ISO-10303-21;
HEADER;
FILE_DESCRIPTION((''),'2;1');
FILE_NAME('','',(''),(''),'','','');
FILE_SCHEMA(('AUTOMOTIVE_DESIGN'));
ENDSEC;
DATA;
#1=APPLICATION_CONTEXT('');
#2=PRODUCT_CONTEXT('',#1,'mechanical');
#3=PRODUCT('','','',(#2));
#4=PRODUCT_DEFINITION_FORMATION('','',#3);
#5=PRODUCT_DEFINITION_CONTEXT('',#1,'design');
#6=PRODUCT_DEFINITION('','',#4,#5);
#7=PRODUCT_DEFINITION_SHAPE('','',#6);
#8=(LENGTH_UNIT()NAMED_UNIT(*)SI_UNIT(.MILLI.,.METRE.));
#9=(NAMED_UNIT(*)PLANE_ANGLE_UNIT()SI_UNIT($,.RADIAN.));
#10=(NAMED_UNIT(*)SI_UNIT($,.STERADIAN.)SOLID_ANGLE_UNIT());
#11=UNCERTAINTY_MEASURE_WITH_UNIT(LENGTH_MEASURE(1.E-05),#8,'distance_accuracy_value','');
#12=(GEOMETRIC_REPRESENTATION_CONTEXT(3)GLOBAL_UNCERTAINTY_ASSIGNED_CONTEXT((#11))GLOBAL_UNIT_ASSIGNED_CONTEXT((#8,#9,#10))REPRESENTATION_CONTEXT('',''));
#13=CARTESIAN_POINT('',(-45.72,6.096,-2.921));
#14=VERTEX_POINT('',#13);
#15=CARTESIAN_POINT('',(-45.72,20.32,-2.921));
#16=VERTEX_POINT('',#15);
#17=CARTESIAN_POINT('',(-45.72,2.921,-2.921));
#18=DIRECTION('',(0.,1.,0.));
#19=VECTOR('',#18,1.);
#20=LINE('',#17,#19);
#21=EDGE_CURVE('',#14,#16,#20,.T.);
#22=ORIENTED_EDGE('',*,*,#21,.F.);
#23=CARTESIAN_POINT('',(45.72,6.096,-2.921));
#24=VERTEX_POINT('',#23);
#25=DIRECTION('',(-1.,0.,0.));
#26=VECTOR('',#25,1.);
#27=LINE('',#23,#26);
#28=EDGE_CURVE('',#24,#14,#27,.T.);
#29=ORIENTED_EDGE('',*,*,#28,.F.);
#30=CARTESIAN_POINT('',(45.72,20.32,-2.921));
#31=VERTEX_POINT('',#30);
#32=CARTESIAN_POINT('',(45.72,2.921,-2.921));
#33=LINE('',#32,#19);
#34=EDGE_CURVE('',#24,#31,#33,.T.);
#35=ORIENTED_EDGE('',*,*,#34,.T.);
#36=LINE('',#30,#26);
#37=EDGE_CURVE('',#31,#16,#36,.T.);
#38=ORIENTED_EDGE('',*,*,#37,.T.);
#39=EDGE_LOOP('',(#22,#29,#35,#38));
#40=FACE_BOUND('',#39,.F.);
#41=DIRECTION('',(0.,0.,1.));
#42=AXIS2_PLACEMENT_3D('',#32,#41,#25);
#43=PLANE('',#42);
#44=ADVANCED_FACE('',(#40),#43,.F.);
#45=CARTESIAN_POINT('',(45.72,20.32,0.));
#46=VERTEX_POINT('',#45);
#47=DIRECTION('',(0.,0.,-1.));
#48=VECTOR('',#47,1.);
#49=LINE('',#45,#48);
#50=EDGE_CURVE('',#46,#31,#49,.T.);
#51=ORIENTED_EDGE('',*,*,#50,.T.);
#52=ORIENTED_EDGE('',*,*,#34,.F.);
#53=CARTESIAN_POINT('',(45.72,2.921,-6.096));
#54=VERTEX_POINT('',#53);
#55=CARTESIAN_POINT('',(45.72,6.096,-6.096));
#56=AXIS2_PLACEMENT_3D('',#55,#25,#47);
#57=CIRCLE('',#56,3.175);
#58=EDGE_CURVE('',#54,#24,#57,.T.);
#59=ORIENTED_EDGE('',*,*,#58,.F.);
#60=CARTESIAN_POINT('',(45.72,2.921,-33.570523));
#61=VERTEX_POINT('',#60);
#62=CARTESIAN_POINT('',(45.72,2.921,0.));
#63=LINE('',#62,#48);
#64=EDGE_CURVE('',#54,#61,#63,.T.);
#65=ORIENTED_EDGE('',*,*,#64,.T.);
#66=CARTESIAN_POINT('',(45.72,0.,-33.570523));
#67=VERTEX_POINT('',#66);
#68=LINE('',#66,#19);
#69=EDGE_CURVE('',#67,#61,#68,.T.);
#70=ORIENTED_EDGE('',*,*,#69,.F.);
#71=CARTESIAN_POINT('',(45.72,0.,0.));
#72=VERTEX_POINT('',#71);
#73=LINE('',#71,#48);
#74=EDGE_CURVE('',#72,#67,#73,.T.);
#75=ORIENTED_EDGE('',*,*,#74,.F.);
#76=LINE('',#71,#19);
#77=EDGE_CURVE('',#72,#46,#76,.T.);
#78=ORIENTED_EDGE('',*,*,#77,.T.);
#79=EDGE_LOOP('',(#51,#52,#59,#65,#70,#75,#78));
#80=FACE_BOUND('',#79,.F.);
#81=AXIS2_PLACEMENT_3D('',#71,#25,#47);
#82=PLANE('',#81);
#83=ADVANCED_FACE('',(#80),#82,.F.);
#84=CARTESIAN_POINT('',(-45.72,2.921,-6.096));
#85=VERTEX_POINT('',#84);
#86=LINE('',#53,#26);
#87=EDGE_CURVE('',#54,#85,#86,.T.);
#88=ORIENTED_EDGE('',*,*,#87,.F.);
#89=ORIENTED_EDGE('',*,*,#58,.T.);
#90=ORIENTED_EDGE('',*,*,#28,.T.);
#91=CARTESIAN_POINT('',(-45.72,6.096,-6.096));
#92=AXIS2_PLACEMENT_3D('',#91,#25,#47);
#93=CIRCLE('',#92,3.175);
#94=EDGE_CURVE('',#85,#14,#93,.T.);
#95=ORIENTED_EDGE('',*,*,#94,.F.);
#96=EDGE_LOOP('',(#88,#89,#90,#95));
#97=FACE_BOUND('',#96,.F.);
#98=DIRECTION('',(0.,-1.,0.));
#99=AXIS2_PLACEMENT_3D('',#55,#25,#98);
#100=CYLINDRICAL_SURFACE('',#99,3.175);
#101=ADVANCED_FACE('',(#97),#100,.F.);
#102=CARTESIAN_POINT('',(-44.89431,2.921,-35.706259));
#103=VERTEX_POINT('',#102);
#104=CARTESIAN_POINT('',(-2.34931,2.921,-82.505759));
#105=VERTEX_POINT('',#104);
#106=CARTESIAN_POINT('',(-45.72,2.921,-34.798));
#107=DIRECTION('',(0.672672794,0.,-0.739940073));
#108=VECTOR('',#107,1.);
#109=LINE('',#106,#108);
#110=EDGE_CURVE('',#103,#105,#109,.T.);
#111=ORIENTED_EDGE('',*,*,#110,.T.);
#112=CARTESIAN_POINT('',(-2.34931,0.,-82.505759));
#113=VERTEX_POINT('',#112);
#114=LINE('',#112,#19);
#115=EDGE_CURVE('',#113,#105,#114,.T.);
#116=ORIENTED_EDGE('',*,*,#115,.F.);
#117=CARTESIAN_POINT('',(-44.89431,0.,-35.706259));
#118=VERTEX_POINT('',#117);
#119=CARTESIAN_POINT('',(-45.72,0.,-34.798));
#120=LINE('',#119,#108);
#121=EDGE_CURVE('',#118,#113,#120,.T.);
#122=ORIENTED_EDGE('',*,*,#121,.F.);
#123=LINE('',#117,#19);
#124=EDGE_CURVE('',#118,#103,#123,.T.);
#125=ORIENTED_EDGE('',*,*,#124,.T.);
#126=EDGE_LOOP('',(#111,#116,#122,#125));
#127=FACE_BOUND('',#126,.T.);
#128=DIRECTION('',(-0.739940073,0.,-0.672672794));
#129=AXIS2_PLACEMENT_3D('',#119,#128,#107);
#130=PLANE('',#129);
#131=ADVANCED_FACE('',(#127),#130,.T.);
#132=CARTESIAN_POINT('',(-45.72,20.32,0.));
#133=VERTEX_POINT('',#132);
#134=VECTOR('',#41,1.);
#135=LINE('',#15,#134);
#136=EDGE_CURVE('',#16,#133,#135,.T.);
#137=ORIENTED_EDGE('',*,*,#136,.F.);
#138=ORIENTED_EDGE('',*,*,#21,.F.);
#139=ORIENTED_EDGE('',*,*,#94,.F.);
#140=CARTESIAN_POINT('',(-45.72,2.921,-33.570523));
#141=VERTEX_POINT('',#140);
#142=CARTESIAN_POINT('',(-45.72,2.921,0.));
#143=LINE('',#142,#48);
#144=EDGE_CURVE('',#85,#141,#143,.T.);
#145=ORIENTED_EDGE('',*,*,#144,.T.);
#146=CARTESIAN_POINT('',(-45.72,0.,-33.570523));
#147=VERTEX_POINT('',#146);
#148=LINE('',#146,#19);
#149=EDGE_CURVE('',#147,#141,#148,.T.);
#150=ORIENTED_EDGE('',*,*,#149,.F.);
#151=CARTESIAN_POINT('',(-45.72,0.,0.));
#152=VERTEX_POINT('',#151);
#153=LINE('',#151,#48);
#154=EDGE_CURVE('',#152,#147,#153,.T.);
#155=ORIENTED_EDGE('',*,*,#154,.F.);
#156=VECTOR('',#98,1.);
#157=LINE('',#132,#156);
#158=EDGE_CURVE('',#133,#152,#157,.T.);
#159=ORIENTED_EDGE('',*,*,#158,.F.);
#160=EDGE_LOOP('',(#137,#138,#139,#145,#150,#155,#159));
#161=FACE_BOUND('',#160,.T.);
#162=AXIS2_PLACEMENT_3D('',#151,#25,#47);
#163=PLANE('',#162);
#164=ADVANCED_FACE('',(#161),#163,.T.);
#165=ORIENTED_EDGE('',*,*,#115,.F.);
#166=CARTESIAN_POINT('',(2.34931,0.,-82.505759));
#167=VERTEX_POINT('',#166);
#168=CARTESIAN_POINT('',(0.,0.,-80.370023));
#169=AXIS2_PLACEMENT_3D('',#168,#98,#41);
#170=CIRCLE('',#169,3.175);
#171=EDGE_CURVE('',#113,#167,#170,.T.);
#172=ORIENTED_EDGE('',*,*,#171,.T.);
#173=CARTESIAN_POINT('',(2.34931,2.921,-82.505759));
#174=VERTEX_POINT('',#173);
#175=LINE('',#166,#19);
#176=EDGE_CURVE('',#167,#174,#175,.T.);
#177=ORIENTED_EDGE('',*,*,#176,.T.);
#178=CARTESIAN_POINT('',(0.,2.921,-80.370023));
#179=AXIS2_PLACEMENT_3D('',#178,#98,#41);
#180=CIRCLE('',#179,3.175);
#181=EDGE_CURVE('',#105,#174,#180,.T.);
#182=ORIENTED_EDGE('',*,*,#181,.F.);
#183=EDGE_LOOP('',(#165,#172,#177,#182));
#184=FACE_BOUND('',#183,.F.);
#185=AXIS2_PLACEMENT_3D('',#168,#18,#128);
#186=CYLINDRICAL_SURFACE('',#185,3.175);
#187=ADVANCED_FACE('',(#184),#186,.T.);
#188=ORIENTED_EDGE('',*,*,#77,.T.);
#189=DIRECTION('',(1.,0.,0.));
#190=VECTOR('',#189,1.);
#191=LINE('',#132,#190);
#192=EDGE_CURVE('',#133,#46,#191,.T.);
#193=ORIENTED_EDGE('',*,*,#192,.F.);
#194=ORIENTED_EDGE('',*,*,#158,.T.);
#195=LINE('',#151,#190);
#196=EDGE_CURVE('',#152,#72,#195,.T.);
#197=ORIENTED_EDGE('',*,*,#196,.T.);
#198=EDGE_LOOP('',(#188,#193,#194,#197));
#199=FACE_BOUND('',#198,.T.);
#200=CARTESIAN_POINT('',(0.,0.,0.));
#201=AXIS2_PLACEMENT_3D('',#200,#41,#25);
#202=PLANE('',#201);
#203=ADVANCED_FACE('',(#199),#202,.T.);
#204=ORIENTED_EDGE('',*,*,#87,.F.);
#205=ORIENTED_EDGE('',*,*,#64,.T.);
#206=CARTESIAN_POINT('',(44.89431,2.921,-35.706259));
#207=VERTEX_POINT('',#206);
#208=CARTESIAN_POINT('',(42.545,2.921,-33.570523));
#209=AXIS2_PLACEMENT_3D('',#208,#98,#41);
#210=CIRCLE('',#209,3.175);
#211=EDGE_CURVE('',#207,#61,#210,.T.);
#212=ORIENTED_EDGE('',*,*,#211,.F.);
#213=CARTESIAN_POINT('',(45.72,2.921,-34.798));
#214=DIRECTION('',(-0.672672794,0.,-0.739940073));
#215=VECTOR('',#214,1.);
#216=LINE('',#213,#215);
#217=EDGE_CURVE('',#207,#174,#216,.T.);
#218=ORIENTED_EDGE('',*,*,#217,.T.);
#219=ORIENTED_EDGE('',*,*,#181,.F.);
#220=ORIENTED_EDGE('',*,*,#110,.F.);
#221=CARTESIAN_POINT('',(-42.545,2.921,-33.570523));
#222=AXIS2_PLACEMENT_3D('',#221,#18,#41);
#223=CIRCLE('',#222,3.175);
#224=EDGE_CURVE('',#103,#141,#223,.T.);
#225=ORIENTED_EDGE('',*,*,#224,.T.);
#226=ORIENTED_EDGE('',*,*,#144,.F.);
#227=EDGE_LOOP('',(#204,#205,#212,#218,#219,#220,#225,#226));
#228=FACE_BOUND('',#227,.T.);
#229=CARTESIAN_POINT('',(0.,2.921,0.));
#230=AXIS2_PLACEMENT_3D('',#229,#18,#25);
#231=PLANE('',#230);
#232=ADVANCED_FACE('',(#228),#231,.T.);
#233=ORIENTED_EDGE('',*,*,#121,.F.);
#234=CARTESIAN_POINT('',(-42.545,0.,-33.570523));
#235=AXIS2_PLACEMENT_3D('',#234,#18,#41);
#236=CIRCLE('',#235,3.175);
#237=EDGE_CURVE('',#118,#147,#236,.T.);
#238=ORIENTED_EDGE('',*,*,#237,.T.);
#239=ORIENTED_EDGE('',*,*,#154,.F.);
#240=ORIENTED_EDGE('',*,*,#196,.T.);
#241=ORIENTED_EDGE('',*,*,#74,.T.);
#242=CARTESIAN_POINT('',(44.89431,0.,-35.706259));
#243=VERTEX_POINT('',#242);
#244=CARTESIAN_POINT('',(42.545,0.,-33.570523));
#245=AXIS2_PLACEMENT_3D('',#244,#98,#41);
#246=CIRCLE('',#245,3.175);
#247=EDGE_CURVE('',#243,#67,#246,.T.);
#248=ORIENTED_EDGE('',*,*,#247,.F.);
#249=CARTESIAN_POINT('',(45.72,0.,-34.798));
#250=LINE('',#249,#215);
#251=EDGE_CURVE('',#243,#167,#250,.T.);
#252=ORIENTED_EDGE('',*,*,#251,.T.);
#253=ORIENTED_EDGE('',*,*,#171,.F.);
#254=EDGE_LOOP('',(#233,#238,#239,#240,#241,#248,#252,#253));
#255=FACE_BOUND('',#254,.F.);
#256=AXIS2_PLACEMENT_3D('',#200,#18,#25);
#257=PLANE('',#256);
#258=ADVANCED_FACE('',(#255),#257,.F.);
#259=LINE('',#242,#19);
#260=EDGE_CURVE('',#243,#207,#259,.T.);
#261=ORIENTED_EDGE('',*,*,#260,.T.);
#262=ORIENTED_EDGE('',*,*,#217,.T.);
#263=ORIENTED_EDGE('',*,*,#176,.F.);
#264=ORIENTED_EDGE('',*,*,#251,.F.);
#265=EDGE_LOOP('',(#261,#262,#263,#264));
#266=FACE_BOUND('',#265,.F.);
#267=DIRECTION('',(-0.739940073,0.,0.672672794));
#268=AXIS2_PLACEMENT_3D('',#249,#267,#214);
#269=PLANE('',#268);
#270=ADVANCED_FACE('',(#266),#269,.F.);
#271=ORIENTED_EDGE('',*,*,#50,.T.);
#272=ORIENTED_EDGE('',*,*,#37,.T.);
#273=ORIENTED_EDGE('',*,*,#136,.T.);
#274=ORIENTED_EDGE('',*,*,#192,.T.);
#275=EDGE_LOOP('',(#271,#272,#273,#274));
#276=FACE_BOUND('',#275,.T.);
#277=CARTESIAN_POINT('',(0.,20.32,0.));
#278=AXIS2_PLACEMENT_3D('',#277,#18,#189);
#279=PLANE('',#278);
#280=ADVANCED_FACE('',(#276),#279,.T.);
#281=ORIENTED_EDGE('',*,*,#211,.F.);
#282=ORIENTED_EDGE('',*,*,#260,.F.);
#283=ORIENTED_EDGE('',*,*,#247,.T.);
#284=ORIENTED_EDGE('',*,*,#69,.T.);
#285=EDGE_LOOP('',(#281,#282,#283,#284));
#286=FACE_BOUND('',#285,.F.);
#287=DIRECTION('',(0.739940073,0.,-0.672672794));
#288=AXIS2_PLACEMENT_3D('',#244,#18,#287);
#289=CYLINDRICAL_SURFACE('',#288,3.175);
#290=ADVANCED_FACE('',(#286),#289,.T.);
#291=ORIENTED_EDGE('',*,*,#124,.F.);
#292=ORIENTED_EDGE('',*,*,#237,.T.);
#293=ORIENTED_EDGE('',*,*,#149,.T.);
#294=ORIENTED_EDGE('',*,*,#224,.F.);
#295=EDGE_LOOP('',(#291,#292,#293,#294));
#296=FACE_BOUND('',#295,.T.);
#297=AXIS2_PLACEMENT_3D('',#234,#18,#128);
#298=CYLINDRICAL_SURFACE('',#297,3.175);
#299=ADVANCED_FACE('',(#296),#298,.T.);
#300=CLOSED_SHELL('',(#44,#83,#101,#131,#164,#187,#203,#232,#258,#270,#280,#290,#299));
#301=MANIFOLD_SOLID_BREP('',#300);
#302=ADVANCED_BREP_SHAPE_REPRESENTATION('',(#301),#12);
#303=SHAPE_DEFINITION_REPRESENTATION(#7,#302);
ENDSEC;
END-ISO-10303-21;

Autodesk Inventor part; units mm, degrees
ref_plane "YZ Plane" through (0, 0, 0) normal (1, 0, 0) x (0, 1, 0)
ref_plane "XZ Plane" through (0, 0, 0) normal (0, 1, 0) x (-1, 0, 0)
ref_plane "XY Plane" through (0, 0, 0) normal (0, 0, 1) x (1, 0, 0)
sketch "Sketch1" plane through (0, 0, 0) normal (0, 1, 0) x (-1, 0, 0)
  line L0 (0, 0) -> (45.72, 0)
  line L1 (45.72, 0) -> (45.72, -34.798)
  line L2 (45.72, -34.798) -> (0, -85.09)
  line L3 (0, -85.09) -> (0, 0) construction
  line L4 (0, 0) -> (-45.72, 0)
  line L5 (-45.72, 0) -> (-45.72, -34.798)
  line L6 (-45.72, -34.798) -> (0, -85.09)
  dimension "d0" = 45.72
  dimension "d1" = 85.09
  dimension "d2" = 34.798
extrude "Extrusion1" add sketch "Sketch1" along normal blind 2.921
sketch "Sketch3" plane through (0, 2.921, 0) normal (0, 1, 0) x (1, 0, 0)
  line L0 (-45.72, 0) -> (45.72, 0) projected
  line L1 (45.72, 0) -> (45.72, 34.798) projected
  line L2 (-45.72, 0) -> (45.72, 0)
  line L3 (45.72, 0) -> (45.72, 2.921)
  line L4 (45.72, 2.921) -> (-45.72, 2.921)
  line L5 (-45.72, 2.921) -> (-45.72, 0)
  point P0 (0, 0)
  dimension "d5" = 2.921
extrude "Extrusion2" add sketch "Sketch3" along normal blind 17.399
fillet "Fillet1" radius 3.175 1 edges at (0, 1.4605, -85.09)
fillet "Fillet2" radius 3.175 2 edges at (45.72, 1.4605, -34.798) (-45.72, 1.4605, -34.798)
fillet "Fillet3" radius 3.175 1 edges at (0, 2.921, -2.921)
properties part number "SnowBlowerMotorMount"
